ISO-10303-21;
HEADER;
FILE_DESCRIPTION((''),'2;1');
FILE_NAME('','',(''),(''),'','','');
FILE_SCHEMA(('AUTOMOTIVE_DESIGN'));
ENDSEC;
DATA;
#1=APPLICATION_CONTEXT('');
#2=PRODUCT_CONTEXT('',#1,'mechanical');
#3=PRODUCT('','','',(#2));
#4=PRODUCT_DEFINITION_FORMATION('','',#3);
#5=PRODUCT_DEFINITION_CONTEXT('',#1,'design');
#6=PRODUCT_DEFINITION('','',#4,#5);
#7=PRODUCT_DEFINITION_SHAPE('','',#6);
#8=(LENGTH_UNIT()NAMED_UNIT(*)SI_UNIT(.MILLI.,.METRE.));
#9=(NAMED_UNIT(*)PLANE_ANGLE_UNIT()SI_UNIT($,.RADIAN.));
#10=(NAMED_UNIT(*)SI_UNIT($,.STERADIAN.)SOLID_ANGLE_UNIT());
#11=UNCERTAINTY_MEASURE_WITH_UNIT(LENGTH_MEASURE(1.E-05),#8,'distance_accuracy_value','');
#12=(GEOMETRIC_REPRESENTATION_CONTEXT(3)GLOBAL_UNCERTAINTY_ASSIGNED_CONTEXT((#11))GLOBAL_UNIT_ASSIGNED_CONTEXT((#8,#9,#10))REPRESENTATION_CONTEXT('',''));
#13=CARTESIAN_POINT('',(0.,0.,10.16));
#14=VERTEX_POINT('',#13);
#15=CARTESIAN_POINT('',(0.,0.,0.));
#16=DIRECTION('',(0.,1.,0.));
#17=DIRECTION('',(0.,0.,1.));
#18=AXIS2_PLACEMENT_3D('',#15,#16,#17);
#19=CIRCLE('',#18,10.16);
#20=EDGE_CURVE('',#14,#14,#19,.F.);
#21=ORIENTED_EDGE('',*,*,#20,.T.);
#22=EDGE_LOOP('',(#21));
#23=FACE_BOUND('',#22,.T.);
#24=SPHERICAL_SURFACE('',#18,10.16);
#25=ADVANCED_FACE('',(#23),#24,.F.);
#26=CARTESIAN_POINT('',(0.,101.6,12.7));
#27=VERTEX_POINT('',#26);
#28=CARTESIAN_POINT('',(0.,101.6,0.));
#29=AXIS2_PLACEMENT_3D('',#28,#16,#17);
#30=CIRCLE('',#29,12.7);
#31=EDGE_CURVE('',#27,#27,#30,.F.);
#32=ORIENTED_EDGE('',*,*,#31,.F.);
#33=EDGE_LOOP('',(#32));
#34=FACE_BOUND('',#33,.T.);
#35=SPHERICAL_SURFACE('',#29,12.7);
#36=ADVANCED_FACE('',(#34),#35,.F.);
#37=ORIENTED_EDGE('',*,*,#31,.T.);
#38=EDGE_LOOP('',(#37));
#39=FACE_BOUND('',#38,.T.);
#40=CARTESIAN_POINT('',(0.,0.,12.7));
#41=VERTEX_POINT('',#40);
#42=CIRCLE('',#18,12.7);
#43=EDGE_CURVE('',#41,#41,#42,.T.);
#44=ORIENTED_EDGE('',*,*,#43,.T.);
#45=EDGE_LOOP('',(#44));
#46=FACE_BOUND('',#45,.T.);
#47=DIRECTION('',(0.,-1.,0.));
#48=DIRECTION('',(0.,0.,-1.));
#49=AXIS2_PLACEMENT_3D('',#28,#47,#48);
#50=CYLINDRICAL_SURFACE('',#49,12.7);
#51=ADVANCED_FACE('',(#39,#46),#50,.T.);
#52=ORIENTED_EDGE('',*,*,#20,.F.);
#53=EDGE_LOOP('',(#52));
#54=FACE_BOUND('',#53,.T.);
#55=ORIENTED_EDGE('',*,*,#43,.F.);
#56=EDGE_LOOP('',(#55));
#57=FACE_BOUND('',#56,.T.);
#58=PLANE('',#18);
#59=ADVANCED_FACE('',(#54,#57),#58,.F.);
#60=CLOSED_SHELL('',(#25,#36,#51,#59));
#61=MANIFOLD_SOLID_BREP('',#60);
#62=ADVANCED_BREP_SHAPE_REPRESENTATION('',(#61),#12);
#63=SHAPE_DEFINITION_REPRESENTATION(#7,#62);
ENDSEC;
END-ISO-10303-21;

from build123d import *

# Parameters (mm, degrees)
SKETCH1_R           = 12.7
BOSS_EXTRUDE1_DEPTH = 101.6


with BuildPart() as part:
    # Sketch1 → Boss-Extrude1 (new body)
    with BuildSketch(Plane(origin=(0, 0, 0), x_dir=(1, 0, 0), z_dir=(0, 1, 0))):
        with Locations(Location((0, 0, 0), (0, 0, 270))):
            Circle(SKETCH1_R)
    extrude(amount=BOSS_EXTRUDE1_DEPTH)

    # Sketch2 → Cut-Revolve1 (revolve, cut)
    with BuildSketch(Plane(origin=(0, 101.6, 0), x_dir=(1, 0, 0), z_dir=(0, 1, 0))):
        with BuildLine():
            Line((0, 12.7), (0, -12.7))
            ThreePointArc((0, -12.7), (12.7, 0), (0, 12.7))
        make_face()
    revolve(axis=Axis((0, 101.6, -12.7), (0, 0, 1)), mode=Mode.SUBTRACT)

    # Sketch3 → Cut-Revolve2 (revolve, cut)
    with BuildSketch(Plane(origin=(0, 0, 0), x_dir=(-1, 0, 0), z_dir=(0, -1, 0))):
        with BuildLine():
            Line((0, -10.16), (0, 10.16))
            ThreePointArc((0, 10.16), (-10.16, 0), (0, -10.16))
        make_face()
    revolve(axis=Axis((0, 0, 10.16), (0, 0, -1)), mode=Mode.SUBTRACT)


solid = part.part
